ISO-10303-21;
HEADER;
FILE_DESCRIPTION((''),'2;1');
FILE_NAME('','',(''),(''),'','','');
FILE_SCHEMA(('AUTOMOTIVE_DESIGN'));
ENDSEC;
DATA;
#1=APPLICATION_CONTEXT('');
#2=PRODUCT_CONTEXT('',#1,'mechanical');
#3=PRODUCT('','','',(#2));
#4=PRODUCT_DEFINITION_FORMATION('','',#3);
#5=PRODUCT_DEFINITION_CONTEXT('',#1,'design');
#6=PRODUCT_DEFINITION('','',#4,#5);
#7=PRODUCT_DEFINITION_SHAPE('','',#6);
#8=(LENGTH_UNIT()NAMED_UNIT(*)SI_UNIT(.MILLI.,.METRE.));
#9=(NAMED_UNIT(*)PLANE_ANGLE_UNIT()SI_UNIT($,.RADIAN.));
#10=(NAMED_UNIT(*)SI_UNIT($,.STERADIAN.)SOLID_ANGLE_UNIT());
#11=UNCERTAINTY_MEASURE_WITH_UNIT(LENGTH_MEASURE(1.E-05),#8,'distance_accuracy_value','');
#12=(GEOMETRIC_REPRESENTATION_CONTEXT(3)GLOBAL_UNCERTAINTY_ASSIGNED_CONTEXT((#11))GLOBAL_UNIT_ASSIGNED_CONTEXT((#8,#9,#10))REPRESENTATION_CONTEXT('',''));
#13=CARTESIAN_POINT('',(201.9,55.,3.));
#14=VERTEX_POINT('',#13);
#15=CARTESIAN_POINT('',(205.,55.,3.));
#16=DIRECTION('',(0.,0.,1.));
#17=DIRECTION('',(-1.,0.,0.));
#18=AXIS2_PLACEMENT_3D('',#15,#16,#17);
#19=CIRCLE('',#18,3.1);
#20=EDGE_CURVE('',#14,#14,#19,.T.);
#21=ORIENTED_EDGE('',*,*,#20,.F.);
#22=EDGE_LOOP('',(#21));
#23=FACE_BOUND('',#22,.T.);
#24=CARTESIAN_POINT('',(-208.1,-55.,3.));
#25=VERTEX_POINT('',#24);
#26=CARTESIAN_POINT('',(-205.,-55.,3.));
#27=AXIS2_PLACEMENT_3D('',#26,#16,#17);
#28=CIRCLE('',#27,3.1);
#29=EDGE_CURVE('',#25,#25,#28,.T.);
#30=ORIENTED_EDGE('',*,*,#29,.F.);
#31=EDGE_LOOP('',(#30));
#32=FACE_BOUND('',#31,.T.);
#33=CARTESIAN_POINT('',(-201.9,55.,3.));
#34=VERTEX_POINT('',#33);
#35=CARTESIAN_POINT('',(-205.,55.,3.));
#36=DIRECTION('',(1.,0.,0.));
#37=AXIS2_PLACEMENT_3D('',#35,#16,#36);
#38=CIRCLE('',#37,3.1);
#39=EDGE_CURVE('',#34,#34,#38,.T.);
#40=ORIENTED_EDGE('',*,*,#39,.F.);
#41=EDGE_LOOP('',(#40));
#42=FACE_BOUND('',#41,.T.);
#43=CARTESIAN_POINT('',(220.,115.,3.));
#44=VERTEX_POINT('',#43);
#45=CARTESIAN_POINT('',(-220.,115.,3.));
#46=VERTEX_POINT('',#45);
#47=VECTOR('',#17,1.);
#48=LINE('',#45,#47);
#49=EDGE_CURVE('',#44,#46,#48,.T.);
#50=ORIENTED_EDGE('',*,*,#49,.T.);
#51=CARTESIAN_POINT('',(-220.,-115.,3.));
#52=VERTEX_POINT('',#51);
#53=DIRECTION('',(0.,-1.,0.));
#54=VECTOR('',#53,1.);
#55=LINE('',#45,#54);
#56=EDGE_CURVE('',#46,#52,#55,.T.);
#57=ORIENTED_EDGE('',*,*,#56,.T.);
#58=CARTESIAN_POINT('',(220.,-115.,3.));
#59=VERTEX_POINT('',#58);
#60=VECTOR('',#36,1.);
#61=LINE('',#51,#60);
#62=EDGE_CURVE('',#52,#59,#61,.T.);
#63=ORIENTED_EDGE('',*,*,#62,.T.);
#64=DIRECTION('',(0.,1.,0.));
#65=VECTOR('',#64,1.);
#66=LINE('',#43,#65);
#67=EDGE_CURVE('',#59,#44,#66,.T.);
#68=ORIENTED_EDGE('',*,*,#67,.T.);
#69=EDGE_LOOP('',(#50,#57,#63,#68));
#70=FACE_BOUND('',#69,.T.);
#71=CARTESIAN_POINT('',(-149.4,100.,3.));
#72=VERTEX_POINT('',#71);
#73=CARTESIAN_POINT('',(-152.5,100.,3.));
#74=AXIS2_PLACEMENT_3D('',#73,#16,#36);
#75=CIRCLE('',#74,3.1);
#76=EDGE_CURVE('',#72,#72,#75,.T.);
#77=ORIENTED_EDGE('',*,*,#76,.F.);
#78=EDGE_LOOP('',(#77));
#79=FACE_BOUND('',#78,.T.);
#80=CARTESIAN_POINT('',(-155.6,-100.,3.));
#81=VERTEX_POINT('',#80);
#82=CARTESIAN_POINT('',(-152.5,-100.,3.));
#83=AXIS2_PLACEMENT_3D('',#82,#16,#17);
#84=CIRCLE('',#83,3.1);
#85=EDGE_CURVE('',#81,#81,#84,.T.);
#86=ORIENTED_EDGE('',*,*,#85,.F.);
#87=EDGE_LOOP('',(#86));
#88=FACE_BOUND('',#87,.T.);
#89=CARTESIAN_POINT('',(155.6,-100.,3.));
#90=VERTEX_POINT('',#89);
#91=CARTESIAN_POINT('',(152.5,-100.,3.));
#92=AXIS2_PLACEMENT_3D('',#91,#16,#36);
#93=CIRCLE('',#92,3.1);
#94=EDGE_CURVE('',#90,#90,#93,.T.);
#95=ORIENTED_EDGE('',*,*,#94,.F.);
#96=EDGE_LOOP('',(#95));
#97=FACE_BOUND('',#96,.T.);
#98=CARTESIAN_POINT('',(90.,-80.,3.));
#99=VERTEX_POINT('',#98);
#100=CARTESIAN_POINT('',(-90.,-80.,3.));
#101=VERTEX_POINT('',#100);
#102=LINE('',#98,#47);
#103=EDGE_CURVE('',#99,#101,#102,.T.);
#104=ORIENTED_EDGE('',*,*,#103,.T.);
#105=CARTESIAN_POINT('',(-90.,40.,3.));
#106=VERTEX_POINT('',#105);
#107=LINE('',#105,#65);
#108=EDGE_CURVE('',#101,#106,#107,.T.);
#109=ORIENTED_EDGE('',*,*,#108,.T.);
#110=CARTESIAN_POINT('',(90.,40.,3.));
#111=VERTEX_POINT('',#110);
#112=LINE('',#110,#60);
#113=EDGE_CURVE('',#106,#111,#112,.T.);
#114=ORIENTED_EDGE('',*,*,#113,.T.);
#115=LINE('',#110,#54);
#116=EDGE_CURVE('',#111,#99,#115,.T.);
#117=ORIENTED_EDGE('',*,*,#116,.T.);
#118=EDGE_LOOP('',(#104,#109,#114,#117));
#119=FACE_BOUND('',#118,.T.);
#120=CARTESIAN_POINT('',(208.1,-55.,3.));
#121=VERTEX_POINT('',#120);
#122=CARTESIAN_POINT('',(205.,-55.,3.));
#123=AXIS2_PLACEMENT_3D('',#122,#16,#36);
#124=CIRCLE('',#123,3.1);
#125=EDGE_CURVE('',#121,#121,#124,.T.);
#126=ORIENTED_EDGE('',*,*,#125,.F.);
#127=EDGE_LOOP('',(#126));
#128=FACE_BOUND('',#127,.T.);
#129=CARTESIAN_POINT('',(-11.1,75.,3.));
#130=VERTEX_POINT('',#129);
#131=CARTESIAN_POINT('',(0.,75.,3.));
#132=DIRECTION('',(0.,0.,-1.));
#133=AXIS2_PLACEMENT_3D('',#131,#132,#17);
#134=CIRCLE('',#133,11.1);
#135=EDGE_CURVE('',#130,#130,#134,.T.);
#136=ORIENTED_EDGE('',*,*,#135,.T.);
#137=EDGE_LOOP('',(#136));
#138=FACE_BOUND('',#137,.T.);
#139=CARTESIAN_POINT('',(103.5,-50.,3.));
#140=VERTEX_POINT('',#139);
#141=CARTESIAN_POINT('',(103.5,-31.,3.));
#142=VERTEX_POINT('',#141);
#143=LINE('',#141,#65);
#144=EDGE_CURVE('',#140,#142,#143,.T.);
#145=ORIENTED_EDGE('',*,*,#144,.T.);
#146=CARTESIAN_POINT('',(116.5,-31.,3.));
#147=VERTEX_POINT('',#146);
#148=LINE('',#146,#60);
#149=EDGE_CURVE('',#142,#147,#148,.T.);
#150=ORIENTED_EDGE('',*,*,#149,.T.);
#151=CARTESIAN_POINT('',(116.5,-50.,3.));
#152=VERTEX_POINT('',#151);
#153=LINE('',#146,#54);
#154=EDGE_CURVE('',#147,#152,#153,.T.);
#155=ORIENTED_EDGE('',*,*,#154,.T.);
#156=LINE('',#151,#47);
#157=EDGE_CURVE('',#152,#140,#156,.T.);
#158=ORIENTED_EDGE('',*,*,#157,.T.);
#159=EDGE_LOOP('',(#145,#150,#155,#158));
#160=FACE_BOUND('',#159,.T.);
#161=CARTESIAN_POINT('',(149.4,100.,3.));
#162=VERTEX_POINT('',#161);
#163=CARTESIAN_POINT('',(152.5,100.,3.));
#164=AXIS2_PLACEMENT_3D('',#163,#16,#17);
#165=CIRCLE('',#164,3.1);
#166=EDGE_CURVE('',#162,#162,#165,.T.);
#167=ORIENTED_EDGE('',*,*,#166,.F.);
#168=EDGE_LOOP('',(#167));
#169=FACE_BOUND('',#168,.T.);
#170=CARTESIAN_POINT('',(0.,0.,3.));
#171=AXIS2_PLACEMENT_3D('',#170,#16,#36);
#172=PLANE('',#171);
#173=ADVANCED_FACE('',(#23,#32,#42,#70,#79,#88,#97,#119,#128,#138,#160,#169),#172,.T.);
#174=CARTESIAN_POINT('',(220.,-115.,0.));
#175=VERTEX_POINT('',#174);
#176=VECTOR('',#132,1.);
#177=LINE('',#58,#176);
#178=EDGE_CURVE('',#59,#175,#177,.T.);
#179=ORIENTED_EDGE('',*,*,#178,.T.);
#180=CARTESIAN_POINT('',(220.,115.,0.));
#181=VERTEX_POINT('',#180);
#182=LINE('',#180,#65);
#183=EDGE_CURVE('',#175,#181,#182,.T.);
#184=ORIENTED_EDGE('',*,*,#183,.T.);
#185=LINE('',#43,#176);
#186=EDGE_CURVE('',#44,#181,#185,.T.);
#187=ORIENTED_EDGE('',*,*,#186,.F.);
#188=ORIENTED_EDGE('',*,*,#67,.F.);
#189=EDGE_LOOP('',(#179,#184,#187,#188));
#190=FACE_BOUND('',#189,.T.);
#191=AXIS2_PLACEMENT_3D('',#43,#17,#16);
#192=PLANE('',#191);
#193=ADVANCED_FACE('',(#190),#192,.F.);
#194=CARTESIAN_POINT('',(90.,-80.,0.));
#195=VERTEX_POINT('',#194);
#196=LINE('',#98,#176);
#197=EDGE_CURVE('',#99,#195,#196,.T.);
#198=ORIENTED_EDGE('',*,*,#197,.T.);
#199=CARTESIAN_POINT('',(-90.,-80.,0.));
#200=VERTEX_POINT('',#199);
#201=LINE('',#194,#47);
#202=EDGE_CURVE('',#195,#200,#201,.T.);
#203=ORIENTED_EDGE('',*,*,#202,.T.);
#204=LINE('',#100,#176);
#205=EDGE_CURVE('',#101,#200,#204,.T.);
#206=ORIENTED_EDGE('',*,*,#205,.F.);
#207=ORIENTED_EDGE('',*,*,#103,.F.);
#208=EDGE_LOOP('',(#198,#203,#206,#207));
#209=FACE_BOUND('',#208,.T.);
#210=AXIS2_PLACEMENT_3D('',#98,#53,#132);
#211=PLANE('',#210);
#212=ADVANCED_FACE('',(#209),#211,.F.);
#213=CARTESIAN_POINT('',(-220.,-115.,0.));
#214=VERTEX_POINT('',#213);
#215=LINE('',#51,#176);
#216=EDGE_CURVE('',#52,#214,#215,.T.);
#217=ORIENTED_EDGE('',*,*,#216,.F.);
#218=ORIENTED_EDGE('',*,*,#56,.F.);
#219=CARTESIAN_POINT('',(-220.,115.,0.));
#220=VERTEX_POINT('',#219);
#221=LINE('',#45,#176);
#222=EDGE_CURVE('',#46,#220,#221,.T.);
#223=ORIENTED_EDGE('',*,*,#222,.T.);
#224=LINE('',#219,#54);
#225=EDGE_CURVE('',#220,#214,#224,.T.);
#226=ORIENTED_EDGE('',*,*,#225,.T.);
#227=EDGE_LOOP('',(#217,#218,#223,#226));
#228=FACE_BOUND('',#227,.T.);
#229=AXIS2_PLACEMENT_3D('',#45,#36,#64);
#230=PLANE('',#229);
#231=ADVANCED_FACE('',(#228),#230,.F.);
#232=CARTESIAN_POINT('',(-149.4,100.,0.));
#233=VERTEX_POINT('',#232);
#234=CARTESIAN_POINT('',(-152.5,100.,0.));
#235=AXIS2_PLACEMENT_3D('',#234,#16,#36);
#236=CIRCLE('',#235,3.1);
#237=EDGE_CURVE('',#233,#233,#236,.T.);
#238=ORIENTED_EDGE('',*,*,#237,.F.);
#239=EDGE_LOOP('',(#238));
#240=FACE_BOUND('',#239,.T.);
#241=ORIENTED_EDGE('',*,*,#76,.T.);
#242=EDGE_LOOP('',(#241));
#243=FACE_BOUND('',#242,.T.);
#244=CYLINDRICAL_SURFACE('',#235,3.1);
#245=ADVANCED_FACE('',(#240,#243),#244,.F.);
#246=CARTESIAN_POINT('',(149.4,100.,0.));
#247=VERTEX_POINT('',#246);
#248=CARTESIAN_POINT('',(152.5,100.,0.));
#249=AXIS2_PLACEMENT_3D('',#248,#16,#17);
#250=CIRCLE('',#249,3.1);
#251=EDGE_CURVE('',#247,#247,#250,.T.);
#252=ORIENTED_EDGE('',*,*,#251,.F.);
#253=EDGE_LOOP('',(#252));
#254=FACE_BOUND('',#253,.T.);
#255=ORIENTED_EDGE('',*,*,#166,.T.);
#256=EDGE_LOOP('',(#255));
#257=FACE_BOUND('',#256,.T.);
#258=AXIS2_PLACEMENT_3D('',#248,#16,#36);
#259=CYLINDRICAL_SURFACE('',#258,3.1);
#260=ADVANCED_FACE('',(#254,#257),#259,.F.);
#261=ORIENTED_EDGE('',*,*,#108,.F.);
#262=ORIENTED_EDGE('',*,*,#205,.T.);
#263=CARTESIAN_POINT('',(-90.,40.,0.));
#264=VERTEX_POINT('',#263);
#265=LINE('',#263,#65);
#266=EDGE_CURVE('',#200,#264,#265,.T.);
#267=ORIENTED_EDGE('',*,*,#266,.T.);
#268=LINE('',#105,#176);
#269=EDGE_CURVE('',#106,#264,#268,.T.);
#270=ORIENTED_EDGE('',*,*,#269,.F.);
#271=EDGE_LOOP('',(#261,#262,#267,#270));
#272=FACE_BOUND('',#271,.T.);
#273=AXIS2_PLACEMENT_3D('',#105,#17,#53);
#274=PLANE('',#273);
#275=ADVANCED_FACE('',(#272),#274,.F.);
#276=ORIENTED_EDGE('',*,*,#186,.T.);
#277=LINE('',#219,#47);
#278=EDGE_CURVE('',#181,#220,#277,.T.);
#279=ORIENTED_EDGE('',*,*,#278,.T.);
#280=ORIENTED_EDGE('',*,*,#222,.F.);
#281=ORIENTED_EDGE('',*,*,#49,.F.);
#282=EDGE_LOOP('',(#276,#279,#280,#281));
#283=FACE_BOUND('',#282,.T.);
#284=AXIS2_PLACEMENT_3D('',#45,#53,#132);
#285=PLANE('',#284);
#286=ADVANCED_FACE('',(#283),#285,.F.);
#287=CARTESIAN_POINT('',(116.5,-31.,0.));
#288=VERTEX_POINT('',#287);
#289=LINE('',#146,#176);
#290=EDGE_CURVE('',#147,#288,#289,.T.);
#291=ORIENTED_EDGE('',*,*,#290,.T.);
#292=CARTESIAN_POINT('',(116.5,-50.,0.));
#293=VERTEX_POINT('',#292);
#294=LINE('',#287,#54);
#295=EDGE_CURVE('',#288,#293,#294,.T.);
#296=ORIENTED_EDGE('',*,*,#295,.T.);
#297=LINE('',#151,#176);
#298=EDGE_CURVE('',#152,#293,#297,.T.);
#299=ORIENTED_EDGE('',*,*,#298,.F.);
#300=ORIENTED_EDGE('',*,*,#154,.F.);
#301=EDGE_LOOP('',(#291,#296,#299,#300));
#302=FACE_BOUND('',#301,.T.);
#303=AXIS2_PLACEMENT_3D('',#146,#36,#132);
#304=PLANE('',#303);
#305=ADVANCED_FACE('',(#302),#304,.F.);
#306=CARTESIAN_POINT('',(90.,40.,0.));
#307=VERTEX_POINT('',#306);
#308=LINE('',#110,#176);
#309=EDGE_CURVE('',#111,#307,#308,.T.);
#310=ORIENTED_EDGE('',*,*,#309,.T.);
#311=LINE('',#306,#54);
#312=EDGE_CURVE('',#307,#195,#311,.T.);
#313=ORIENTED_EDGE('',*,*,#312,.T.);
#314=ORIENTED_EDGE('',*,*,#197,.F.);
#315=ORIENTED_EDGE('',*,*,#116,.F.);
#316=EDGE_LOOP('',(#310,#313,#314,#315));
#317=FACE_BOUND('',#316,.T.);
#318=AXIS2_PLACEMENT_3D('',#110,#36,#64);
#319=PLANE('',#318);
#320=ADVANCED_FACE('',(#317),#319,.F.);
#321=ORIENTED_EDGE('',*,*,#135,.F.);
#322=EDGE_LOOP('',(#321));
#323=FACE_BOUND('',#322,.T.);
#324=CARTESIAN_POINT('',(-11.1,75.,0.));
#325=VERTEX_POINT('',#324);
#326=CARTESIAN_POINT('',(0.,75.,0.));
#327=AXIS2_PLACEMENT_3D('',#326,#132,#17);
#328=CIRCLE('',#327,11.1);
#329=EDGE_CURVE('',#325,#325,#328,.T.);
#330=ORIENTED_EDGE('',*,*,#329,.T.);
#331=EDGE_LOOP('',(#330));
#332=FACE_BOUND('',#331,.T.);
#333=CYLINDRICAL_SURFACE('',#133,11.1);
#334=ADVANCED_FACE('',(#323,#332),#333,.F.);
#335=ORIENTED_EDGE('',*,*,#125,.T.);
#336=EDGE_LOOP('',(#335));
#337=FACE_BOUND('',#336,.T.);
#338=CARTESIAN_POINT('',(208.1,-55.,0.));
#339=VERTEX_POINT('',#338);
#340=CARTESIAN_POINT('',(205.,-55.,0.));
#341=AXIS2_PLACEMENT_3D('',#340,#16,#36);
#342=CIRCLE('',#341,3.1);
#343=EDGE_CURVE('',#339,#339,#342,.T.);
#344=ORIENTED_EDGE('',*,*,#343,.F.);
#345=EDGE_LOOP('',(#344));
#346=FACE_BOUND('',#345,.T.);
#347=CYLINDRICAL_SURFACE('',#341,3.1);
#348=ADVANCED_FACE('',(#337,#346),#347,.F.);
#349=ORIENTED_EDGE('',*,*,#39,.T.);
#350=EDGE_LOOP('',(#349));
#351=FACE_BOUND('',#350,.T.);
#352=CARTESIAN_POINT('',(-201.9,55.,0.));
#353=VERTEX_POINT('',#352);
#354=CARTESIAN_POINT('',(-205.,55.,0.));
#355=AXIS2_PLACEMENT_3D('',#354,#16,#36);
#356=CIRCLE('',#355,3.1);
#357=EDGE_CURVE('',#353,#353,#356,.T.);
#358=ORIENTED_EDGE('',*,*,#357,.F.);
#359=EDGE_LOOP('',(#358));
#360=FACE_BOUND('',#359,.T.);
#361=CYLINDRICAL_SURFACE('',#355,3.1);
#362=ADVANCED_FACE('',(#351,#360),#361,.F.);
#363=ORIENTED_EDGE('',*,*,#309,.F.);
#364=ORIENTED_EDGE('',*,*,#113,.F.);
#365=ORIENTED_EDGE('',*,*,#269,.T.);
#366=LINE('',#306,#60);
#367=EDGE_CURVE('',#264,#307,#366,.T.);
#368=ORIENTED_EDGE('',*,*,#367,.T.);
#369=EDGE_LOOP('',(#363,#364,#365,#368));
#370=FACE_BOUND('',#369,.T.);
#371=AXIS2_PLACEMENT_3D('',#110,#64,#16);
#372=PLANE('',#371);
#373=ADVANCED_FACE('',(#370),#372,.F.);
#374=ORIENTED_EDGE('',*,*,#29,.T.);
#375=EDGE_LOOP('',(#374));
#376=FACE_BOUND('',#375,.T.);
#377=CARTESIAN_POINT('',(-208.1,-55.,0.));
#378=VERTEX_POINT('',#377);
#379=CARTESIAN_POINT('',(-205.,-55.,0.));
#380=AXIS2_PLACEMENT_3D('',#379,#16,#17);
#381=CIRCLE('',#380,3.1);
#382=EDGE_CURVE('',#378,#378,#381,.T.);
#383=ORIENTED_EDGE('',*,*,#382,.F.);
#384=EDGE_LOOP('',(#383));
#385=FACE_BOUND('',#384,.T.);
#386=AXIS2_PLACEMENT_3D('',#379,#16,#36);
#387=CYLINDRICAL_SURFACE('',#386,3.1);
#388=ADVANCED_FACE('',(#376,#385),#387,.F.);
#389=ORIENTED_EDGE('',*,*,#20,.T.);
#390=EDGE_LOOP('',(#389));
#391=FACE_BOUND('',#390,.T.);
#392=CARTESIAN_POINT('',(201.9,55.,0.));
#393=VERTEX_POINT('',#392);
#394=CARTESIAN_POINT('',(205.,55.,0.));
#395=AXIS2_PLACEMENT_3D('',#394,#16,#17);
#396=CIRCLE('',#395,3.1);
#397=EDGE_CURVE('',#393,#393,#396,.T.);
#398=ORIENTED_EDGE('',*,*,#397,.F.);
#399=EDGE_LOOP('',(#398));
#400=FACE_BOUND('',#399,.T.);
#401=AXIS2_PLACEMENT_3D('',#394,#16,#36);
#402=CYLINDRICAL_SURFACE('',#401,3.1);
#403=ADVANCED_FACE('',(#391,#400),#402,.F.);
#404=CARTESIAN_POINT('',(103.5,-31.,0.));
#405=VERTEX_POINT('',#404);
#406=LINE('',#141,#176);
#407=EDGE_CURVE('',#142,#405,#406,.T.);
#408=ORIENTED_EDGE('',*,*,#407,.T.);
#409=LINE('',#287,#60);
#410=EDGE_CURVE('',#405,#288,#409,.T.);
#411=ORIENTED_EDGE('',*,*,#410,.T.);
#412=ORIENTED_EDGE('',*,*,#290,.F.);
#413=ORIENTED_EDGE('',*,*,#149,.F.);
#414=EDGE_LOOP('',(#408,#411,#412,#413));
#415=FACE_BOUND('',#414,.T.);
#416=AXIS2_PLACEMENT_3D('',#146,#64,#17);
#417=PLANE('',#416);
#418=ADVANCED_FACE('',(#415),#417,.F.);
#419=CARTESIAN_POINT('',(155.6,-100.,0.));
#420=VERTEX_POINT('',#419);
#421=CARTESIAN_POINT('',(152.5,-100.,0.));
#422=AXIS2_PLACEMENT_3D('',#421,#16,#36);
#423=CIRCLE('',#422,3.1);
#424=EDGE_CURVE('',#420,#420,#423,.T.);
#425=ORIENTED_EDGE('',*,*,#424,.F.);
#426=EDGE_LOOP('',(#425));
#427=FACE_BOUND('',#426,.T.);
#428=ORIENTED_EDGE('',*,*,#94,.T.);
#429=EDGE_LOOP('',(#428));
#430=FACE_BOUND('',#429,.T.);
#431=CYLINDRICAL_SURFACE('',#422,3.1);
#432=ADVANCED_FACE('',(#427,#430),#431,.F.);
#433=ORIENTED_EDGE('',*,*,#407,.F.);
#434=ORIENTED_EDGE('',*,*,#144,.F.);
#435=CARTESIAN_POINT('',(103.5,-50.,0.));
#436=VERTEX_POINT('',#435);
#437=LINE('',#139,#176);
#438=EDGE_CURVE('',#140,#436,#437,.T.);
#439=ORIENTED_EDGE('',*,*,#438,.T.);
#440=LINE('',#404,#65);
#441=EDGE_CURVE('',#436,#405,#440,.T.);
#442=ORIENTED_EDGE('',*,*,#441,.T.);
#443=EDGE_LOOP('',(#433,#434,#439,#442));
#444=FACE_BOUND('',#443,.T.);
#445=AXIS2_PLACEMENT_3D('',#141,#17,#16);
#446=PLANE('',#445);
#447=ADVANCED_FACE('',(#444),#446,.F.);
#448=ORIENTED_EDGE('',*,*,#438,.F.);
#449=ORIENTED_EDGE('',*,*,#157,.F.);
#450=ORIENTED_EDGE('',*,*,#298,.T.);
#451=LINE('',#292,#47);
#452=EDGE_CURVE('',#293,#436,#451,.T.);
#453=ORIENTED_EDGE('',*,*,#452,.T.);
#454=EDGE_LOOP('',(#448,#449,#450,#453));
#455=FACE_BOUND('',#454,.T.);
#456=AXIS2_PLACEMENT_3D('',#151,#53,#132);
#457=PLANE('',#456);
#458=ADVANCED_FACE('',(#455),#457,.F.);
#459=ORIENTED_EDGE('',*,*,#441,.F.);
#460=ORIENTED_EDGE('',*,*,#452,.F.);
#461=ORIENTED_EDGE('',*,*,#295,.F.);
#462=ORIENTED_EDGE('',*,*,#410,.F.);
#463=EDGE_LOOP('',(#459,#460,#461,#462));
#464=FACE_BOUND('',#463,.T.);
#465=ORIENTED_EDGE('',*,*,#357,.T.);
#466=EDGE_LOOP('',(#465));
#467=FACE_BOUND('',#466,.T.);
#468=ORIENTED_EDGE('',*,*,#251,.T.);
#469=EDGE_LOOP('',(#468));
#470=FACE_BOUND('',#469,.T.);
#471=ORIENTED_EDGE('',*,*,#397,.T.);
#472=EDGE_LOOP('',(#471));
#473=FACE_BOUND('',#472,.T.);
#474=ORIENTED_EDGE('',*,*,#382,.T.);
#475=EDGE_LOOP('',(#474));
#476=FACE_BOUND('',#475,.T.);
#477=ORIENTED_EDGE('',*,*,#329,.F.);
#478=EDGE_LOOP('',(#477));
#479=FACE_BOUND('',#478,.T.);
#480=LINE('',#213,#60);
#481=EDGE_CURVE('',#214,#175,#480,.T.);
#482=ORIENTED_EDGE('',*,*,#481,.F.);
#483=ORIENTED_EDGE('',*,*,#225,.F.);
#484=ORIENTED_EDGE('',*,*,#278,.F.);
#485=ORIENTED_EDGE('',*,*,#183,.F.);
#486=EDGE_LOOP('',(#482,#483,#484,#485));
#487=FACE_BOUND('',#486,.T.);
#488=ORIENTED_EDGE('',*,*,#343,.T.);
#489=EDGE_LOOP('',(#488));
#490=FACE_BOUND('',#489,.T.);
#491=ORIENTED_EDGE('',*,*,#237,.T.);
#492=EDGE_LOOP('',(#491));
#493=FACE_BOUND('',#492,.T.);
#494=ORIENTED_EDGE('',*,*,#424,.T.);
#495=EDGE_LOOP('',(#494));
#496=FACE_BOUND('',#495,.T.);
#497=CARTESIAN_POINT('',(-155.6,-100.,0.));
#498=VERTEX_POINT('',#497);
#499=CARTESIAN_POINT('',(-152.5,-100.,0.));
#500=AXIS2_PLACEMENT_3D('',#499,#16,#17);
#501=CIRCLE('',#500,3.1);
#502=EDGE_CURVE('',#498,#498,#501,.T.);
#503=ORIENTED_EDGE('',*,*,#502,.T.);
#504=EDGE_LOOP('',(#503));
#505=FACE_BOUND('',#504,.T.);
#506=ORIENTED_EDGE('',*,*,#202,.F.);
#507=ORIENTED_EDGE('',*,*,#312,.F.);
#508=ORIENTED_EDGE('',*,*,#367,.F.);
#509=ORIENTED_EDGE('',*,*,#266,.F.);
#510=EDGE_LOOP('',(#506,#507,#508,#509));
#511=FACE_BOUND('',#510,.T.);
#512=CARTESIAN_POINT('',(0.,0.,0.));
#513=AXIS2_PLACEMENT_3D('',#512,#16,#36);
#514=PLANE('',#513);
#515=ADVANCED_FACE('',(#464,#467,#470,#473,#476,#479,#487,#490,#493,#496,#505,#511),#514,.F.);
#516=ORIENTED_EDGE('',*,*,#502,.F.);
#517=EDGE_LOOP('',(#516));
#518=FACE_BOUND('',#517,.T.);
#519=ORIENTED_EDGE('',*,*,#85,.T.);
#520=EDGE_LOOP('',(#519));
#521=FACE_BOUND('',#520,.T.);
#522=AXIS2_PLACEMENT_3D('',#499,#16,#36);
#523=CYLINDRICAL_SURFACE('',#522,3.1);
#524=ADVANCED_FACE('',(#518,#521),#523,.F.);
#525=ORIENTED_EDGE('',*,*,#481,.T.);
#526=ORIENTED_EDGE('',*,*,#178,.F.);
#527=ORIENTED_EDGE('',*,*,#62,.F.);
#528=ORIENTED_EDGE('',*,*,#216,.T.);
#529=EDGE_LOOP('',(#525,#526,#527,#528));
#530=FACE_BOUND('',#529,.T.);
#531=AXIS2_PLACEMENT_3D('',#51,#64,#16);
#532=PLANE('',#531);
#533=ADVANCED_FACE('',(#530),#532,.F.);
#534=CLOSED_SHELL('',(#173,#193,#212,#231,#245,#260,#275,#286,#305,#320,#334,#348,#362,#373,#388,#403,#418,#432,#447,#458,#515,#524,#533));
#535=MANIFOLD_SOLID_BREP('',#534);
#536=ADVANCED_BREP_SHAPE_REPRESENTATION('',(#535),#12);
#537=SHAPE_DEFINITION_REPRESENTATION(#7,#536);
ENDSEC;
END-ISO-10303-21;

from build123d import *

# Parameters (mm, degrees)
CROQUIS1_W              = 440
CROQUIS1_H              = 230
SALIENTE_EXTRUIR1_DEPTH = 3
CROQUIS2_R              = 3.1
CORTAR_EXTRUIR1_DEPTH   = 4
CROQUIS3_W              = 180
CROQUIS3_H              = 120
CORTAR_EXTRUIR2_DEPTH   = 4
CROQUIS4_R              = 11.1
CORTAR_EXTRUIR3_DEPTH   = 4
CROQUIS5_W              = 13
CROQUIS5_H              = 19
CORTAR_EXTRUIR4_DEPTH   = 4


with BuildPart() as part:
    # Croquis1 → Saliente-Extruir1 (new body)
    with BuildSketch(Plane.XY):
        Rectangle(CROQUIS1_W, CROQUIS1_H)
    extrude(amount=SALIENTE_EXTRUIR1_DEPTH)

    # Croquis2 → Cortar-Extruir1 (cut, through all)
    with BuildSketch(Plane.XY.offset(3)):
        with Locations((-205, 55)):
            Circle(CROQUIS2_R)
        with Locations((-152.5, 100)):
            Circle(CROQUIS2_R)
        with Locations((152.5, 100)):
            Circle(CROQUIS2_R)
        with Locations((-205, -55)):
            Circle(CROQUIS2_R)
        with Locations((205, -55)):
            Circle(CROQUIS2_R)
        with Locations((205, 55)):
            Circle(CROQUIS2_R)
        with Locations((152.5, -100)):
            Circle(CROQUIS2_R)
        with Locations((-152.5, -100)):
            Circle(CROQUIS2_R)
    extrude(amount=-CORTAR_EXTRUIR1_DEPTH, mode=Mode.SUBTRACT)

    # Croquis3 → Cortar-Extruir2 (cut, through all)
    with BuildSketch(Plane(origin=(0, 0, 0), x_dir=(-1, 0, 0), z_dir=(0, 0, -1))):
        with Locations((0, -20)):
            Rectangle(CROQUIS3_W, CROQUIS3_H)
    extrude(amount=-CORTAR_EXTRUIR2_DEPTH, mode=Mode.SUBTRACT)

    # Croquis4 → Cortar-Extruir3 (cut, through all)
    with BuildSketch(Plane(origin=(0, 0, 0), x_dir=(-1, 0, 0), z_dir=(0, 0, -1))):
        with Locations((0, 75)):
            Circle(CROQUIS4_R)
    extrude(amount=-CORTAR_EXTRUIR3_DEPTH, mode=Mode.SUBTRACT)

    # Croquis5 → Cortar-Extruir4 (cut, through all)
    with BuildSketch(Plane(origin=(0, 0, 0), x_dir=(-1, 0, 0), z_dir=(0, 0, -1))):
        with Locations((-110, -40.5)):
            Rectangle(CROQUIS5_W, CROQUIS5_H)
    extrude(amount=-CORTAR_EXTRUIR4_DEPTH, mode=Mode.SUBTRACT)


solid = part.part
